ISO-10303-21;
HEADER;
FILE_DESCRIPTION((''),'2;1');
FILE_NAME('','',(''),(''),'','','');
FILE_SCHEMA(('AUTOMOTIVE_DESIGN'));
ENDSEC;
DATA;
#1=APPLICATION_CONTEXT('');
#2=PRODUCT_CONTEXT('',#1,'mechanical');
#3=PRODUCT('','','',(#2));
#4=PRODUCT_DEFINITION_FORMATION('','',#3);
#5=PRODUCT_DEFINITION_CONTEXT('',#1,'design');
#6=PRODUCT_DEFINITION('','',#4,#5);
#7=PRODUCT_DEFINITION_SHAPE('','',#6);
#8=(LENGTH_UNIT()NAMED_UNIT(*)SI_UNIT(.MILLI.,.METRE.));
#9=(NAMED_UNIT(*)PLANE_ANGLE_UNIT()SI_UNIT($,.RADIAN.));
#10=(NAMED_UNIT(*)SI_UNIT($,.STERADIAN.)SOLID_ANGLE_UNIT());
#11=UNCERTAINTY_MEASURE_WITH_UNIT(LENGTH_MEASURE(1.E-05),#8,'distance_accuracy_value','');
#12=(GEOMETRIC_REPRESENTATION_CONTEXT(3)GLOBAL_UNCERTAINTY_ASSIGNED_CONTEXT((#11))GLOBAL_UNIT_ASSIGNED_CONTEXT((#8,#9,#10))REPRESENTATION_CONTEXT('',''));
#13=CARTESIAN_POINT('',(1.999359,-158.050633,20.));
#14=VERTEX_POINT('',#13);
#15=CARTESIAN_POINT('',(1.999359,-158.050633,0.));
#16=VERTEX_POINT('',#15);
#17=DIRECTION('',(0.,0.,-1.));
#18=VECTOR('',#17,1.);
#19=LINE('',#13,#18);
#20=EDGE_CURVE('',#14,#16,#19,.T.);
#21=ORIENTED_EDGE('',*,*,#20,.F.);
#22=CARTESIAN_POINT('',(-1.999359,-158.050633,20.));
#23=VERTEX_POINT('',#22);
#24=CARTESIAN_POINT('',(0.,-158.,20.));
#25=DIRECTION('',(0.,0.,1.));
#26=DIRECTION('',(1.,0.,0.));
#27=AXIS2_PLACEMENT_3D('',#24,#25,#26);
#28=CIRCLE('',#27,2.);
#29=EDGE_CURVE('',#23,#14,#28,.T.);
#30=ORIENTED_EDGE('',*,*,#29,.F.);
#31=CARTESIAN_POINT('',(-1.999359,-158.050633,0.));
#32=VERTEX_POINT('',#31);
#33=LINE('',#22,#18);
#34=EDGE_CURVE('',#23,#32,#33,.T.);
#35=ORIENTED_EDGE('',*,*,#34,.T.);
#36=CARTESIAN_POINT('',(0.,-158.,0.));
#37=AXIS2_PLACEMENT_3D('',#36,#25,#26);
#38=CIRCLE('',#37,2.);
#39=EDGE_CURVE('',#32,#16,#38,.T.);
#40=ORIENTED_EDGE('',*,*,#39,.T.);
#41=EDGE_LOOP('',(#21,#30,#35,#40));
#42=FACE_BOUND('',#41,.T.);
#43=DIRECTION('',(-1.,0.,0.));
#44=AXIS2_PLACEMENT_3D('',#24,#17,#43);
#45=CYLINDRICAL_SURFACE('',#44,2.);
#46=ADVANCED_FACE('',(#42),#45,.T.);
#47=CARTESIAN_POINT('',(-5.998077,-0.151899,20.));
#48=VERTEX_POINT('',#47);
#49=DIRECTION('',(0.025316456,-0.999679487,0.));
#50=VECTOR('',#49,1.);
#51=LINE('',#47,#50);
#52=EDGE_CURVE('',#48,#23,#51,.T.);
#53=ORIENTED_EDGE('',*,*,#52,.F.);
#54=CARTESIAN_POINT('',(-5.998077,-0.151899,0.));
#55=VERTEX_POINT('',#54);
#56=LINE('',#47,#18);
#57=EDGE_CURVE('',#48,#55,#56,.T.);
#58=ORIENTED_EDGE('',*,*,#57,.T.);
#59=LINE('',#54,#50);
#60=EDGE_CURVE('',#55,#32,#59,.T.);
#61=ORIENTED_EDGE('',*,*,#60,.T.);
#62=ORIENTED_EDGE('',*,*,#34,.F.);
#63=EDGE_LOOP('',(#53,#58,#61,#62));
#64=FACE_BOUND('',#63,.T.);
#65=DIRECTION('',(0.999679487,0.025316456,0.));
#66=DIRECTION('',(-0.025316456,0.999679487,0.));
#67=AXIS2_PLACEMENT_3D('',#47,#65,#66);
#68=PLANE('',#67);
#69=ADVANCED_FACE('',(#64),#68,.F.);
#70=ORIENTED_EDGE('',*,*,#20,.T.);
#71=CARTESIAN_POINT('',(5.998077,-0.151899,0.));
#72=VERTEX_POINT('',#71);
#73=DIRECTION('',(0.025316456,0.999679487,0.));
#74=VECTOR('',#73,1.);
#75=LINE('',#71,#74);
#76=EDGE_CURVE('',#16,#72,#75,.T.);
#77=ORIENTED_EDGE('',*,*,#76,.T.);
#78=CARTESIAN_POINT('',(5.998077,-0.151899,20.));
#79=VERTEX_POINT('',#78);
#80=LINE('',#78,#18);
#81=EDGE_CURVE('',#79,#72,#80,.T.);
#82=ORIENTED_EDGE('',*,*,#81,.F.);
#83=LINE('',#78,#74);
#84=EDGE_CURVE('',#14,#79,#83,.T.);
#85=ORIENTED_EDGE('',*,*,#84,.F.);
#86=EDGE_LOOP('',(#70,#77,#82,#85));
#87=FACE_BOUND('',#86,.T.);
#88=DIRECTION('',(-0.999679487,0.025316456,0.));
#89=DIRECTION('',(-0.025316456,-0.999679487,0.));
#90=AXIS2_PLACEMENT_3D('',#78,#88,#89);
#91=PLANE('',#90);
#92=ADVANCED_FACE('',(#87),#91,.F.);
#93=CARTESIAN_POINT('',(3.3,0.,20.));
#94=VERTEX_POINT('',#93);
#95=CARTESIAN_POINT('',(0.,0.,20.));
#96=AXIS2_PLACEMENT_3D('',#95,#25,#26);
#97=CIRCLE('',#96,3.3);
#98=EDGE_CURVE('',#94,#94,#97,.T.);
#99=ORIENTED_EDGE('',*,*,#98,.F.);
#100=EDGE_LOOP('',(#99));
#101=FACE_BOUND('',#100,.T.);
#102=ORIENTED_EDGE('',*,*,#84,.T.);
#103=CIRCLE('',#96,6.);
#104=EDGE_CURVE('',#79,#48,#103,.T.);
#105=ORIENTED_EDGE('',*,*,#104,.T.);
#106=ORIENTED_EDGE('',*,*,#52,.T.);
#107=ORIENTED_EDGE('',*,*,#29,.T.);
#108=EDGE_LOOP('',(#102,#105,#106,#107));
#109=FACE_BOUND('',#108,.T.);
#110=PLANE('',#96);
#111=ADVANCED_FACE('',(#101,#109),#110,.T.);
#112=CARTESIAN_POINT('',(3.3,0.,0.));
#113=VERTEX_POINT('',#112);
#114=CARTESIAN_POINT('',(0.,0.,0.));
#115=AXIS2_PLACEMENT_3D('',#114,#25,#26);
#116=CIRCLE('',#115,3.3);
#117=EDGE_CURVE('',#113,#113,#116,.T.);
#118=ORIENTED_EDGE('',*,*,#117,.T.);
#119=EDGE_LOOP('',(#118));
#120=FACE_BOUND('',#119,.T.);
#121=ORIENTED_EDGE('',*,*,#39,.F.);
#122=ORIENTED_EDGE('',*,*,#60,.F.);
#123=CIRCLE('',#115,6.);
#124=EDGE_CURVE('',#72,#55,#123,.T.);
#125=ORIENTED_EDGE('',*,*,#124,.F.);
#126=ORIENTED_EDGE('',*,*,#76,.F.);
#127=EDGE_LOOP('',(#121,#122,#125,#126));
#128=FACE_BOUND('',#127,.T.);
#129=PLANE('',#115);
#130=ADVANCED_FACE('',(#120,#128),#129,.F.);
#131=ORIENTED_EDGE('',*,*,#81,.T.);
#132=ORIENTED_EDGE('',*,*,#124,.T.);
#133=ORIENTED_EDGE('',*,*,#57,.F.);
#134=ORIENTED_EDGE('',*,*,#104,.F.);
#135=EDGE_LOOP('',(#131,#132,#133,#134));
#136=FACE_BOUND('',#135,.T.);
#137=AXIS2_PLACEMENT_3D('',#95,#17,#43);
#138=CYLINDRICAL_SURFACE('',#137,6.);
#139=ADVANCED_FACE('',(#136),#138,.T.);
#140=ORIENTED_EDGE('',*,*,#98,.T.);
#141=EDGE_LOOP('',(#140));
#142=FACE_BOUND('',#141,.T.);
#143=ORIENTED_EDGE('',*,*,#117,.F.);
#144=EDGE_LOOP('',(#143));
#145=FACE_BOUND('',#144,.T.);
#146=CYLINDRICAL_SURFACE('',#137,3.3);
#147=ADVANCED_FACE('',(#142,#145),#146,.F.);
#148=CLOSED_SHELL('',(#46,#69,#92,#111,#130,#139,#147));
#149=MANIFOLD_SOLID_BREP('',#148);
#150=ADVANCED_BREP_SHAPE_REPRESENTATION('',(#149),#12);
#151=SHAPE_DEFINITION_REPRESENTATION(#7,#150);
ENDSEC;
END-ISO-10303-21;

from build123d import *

# Parameters (mm, degrees)
SKETCH_1_R      = 3.3
EXTRUDE_1_DEPTH = 20


with BuildPart() as part:
    # 草图1 → 凸台-拉伸1 (new body)
    with BuildSketch(Plane.XY):
        with BuildLine():
            Line((-5.998076923, -0.151898734), (-1.999358974, -158.050632911))
            ThreePointArc((-1.999358974, -158.050632911), (0, -160), (1.999358974, -158.050632911))
            Line((1.999358974, -158.050632911), (5.998076923, -0.151898734))
            ThreePointArc((5.998076923, -0.151898734), (0, 6), (-5.998076923, -0.151898734))
        make_face()
        Circle(SKETCH_1_R, mode=Mode.SUBTRACT)
    extrude(amount=EXTRUDE_1_DEPTH)


solid = part.part
